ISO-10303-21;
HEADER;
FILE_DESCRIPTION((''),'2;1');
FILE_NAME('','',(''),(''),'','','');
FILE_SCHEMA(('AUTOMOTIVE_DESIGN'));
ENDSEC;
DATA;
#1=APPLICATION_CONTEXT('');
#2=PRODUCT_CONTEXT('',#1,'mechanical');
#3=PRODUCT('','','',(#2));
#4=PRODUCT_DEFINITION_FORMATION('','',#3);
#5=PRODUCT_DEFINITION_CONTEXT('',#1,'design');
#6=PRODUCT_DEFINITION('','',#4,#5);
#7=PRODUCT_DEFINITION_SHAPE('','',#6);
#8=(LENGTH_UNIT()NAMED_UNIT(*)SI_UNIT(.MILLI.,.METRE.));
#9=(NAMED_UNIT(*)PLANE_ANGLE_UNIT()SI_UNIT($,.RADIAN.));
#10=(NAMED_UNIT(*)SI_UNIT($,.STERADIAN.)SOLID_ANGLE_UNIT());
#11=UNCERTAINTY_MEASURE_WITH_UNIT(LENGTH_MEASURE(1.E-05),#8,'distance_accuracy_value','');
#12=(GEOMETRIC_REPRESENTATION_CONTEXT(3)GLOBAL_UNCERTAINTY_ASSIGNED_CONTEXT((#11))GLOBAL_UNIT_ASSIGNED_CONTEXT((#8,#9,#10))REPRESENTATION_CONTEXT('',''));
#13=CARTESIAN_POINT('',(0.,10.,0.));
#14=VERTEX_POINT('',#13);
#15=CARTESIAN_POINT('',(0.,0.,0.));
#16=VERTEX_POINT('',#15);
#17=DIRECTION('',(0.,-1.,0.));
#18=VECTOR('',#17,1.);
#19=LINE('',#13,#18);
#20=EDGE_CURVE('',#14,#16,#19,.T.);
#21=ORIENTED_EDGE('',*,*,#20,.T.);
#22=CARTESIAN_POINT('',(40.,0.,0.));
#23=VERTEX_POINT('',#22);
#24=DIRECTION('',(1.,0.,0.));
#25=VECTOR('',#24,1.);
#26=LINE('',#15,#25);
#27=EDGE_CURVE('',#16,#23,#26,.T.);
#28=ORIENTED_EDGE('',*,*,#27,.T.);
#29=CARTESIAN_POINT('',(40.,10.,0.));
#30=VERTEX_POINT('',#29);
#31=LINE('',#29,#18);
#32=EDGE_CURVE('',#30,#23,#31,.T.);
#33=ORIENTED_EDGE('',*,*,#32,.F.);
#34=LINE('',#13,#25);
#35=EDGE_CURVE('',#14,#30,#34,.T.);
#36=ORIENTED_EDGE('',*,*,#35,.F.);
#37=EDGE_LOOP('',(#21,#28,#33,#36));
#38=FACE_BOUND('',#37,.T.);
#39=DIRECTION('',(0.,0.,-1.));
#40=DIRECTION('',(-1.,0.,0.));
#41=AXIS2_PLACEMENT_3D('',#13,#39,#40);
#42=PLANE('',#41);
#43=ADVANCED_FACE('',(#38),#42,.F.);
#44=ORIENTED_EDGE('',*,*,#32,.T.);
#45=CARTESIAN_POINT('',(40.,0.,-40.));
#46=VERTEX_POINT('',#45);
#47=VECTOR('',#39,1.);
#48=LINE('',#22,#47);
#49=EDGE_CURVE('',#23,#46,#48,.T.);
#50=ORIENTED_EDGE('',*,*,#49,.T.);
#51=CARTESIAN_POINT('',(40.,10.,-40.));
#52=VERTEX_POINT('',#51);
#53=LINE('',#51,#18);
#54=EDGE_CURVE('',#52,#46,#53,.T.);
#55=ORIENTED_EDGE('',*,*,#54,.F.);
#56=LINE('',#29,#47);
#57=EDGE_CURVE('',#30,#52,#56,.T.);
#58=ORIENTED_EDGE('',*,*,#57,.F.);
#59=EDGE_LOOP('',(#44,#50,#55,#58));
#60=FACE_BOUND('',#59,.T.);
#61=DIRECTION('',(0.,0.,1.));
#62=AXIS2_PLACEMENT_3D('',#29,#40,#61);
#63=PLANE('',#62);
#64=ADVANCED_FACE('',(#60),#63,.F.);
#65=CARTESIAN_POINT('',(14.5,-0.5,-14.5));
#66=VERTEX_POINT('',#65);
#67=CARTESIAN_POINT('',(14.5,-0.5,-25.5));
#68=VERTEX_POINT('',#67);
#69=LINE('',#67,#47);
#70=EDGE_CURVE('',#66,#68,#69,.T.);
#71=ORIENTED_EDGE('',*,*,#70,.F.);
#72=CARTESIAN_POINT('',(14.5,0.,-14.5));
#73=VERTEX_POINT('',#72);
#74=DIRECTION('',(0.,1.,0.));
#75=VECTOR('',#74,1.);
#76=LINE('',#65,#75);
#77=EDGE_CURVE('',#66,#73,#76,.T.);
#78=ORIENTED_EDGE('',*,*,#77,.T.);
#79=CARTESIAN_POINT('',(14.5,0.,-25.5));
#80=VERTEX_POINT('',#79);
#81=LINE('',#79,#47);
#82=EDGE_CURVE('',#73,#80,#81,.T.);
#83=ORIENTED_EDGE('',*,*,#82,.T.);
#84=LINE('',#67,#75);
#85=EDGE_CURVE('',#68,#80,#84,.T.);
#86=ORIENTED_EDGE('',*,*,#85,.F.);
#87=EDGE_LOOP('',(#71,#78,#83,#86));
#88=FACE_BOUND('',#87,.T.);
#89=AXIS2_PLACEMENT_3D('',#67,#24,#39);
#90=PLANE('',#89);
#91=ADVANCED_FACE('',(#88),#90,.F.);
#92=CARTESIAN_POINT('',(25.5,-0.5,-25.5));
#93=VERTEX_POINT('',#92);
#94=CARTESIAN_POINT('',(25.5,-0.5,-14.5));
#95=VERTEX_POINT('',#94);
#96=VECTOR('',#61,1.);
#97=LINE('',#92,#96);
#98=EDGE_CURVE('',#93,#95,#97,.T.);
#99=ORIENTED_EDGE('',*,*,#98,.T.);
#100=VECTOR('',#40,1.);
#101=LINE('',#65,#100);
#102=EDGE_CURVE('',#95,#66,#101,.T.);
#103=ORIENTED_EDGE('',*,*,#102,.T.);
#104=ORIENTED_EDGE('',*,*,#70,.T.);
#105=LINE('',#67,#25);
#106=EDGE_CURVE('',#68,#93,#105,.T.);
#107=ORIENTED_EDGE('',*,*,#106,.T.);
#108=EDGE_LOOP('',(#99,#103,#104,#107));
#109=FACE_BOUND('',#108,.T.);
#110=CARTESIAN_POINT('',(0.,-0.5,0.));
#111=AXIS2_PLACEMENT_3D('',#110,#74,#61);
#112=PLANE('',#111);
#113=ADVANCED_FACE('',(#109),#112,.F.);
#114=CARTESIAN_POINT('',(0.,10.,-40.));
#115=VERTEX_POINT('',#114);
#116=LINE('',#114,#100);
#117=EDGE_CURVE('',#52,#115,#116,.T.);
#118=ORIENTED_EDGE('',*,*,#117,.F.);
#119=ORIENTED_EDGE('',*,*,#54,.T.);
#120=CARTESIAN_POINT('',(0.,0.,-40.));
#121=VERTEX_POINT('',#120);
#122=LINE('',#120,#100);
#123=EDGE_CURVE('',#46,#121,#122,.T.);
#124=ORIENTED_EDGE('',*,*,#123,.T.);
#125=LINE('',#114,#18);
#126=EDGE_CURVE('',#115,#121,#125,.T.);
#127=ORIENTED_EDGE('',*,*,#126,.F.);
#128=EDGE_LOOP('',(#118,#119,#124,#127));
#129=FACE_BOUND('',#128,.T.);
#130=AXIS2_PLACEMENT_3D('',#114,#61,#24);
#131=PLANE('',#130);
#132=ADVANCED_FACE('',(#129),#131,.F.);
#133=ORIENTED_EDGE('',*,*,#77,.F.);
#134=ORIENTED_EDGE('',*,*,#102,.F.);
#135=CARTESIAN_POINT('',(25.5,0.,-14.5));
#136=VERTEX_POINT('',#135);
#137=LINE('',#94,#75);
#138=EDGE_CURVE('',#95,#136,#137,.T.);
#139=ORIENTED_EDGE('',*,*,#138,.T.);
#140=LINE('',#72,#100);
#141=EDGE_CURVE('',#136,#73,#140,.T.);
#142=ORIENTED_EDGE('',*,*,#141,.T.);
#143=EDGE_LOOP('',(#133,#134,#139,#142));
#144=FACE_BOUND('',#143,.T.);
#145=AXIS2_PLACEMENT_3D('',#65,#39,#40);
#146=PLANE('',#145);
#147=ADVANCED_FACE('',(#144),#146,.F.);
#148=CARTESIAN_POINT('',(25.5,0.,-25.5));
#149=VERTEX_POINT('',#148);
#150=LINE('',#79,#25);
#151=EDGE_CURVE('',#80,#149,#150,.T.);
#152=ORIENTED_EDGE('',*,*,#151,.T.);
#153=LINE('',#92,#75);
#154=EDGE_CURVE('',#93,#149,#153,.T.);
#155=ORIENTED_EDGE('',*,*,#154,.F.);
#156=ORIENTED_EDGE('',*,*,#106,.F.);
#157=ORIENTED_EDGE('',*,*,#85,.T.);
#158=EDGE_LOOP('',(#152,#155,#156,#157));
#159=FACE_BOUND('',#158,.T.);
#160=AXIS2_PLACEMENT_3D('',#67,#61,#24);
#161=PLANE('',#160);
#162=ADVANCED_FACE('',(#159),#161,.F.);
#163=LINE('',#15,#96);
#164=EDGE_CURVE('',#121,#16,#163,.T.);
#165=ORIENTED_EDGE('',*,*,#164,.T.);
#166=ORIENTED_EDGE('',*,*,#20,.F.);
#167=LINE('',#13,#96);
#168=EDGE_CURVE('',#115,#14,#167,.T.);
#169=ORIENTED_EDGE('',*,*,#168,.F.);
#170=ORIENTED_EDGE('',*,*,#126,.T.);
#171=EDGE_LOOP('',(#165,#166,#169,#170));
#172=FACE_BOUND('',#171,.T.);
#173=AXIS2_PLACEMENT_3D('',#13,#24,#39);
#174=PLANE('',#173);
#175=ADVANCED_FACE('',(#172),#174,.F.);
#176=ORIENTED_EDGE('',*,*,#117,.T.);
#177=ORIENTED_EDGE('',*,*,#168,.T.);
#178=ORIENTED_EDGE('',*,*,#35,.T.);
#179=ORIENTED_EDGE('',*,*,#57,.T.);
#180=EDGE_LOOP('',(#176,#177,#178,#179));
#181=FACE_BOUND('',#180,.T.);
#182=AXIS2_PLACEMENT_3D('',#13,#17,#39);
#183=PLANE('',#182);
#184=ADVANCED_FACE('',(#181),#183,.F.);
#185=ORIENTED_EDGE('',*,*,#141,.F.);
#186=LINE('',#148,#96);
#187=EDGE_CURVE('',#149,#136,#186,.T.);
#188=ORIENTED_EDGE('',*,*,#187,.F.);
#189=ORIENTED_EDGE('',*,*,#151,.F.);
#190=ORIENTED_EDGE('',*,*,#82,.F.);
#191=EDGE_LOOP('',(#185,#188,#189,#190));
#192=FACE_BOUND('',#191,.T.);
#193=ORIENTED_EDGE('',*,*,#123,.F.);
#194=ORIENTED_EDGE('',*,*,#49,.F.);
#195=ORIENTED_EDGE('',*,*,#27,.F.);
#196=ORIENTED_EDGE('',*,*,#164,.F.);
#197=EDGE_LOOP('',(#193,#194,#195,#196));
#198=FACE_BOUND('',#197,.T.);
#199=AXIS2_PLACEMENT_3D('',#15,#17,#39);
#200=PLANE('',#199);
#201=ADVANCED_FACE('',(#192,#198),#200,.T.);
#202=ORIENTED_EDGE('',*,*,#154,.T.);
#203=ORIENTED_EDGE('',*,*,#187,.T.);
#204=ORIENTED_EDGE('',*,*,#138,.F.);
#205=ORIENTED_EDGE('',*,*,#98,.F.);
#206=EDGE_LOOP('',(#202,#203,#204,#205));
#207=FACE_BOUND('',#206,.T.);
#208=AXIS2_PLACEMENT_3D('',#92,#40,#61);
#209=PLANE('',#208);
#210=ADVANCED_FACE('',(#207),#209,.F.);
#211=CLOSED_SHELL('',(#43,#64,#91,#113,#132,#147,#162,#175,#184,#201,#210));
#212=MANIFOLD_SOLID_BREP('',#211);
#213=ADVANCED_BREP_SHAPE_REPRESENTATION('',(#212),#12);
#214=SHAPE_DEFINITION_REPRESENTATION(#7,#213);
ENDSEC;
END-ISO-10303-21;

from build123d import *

# Parameters (mm, degrees)
SKETCH1_W           = 40
SKETCH1_H           = 40
BOSS_EXTRUDE1_DEPTH = 10
SKETCH2_W           = 11
SKETCH2_H           = 11
BOSS_EXTRUDE2_DEPTH = 0.5


with BuildPart() as part:
    # Sketch1 → Boss-Extrude1 (new body)
    with BuildSketch(Plane(origin=(0, 0, 0), x_dir=(1, 0, 0), z_dir=(0, 1, 0))):
        with Locations((20, 20)):
            Rectangle(SKETCH1_W, SKETCH1_H)
    extrude(amount=BOSS_EXTRUDE1_DEPTH)

    # Sketch2 → Boss-Extrude2 (add)
    with BuildSketch(Plane.XZ):
        with Locations((20, -20)):
            Rectangle(SKETCH2_W, SKETCH2_H)
    extrude(amount=BOSS_EXTRUDE2_DEPTH)


solid = part.part
